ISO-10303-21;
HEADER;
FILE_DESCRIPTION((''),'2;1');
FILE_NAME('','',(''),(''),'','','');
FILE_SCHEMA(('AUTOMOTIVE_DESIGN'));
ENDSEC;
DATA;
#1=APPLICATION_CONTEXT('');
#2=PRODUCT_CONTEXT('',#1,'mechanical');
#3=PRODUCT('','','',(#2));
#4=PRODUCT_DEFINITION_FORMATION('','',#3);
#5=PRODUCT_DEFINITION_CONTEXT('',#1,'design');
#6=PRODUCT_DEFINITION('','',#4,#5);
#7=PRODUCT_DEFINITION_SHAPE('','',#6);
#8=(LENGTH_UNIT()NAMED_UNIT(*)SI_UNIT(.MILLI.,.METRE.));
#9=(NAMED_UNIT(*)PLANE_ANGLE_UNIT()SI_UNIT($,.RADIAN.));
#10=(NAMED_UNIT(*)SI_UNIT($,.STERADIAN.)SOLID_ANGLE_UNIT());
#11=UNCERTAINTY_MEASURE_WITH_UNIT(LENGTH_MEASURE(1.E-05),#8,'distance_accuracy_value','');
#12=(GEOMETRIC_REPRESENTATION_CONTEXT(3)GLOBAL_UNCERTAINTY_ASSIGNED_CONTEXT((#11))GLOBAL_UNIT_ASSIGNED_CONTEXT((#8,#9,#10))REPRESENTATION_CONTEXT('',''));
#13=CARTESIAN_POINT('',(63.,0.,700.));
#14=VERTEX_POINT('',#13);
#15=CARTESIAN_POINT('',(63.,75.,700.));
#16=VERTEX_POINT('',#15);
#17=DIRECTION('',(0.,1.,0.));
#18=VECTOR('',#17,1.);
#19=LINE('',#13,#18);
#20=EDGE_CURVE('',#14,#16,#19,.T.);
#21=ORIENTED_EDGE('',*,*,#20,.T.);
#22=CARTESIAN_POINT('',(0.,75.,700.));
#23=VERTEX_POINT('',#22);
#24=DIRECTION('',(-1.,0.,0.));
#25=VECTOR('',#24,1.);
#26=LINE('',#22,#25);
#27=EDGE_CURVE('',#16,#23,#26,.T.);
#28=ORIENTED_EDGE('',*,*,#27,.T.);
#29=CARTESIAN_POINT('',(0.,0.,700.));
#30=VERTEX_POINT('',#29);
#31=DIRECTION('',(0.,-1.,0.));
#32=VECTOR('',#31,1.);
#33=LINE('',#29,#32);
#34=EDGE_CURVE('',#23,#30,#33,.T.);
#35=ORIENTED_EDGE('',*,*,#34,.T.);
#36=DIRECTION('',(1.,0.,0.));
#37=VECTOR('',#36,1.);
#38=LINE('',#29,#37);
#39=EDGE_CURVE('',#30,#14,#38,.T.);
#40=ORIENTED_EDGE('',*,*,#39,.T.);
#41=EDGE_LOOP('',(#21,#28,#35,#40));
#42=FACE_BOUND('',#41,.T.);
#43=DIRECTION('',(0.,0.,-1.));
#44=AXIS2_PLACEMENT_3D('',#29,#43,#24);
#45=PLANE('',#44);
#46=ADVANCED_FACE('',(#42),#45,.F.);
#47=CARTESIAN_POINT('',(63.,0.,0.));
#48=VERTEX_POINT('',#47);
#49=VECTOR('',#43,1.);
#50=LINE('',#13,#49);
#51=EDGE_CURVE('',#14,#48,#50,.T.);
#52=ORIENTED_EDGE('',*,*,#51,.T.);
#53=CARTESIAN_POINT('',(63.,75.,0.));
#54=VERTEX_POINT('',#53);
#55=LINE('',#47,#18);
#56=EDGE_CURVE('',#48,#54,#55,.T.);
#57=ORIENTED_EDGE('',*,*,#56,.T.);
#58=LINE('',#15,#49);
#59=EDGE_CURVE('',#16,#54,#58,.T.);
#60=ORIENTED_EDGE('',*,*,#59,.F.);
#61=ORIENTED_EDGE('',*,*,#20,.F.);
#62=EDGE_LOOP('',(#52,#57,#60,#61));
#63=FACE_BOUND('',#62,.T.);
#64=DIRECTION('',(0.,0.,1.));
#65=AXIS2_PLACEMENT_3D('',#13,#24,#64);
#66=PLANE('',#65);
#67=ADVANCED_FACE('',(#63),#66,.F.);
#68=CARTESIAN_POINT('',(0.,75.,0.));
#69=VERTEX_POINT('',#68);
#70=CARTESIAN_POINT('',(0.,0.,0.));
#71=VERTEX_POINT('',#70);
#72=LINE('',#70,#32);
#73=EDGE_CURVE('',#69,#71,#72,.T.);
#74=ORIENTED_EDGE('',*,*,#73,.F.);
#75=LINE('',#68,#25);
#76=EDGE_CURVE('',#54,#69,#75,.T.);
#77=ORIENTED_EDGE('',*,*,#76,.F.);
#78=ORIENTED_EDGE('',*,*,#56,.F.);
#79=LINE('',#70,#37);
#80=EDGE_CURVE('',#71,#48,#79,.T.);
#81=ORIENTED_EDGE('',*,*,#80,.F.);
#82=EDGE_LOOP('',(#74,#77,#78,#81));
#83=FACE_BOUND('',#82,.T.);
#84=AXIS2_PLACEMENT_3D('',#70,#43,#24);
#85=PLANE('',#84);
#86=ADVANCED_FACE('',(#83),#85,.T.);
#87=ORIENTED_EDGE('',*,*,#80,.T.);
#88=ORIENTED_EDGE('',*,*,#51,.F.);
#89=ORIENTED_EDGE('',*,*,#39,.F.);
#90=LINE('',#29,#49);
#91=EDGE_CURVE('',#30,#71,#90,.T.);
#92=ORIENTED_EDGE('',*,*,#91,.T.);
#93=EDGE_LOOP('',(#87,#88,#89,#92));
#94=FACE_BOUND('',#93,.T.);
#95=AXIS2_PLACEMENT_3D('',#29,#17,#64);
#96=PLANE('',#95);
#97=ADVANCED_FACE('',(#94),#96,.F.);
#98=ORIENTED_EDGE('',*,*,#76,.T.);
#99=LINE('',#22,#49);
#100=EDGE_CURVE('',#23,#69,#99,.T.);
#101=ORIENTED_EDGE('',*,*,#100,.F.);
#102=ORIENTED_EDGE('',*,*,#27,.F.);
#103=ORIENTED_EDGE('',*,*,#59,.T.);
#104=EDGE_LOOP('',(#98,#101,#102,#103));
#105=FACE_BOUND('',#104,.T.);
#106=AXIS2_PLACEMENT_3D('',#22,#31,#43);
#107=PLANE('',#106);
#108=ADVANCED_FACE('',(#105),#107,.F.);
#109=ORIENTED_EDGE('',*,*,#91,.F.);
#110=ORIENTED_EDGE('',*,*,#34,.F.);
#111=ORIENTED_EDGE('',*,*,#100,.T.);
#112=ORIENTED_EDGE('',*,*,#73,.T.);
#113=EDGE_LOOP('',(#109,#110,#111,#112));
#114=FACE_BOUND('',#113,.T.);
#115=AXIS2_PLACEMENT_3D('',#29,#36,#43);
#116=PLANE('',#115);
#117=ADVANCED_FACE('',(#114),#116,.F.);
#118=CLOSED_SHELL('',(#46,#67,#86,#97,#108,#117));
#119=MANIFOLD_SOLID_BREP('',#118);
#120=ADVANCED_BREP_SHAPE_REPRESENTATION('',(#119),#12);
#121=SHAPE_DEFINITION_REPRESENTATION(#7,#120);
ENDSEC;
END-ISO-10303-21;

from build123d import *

# Parameters (mm, degrees)
ESQUISSE1_W        = 63
ESQUISSE1_H        = 75
BOSS_EXTRU_1_DEPTH = 700


with BuildPart() as part:
    # Esquisse1 → Boss.-Extru.1 (new body)
    with BuildSketch(Plane.XY):
        with Locations((31.5, 37.5)):
            Rectangle(ESQUISSE1_W, ESQUISSE1_H)
    extrude(amount=BOSS_EXTRU_1_DEPTH)


solid = part.part
